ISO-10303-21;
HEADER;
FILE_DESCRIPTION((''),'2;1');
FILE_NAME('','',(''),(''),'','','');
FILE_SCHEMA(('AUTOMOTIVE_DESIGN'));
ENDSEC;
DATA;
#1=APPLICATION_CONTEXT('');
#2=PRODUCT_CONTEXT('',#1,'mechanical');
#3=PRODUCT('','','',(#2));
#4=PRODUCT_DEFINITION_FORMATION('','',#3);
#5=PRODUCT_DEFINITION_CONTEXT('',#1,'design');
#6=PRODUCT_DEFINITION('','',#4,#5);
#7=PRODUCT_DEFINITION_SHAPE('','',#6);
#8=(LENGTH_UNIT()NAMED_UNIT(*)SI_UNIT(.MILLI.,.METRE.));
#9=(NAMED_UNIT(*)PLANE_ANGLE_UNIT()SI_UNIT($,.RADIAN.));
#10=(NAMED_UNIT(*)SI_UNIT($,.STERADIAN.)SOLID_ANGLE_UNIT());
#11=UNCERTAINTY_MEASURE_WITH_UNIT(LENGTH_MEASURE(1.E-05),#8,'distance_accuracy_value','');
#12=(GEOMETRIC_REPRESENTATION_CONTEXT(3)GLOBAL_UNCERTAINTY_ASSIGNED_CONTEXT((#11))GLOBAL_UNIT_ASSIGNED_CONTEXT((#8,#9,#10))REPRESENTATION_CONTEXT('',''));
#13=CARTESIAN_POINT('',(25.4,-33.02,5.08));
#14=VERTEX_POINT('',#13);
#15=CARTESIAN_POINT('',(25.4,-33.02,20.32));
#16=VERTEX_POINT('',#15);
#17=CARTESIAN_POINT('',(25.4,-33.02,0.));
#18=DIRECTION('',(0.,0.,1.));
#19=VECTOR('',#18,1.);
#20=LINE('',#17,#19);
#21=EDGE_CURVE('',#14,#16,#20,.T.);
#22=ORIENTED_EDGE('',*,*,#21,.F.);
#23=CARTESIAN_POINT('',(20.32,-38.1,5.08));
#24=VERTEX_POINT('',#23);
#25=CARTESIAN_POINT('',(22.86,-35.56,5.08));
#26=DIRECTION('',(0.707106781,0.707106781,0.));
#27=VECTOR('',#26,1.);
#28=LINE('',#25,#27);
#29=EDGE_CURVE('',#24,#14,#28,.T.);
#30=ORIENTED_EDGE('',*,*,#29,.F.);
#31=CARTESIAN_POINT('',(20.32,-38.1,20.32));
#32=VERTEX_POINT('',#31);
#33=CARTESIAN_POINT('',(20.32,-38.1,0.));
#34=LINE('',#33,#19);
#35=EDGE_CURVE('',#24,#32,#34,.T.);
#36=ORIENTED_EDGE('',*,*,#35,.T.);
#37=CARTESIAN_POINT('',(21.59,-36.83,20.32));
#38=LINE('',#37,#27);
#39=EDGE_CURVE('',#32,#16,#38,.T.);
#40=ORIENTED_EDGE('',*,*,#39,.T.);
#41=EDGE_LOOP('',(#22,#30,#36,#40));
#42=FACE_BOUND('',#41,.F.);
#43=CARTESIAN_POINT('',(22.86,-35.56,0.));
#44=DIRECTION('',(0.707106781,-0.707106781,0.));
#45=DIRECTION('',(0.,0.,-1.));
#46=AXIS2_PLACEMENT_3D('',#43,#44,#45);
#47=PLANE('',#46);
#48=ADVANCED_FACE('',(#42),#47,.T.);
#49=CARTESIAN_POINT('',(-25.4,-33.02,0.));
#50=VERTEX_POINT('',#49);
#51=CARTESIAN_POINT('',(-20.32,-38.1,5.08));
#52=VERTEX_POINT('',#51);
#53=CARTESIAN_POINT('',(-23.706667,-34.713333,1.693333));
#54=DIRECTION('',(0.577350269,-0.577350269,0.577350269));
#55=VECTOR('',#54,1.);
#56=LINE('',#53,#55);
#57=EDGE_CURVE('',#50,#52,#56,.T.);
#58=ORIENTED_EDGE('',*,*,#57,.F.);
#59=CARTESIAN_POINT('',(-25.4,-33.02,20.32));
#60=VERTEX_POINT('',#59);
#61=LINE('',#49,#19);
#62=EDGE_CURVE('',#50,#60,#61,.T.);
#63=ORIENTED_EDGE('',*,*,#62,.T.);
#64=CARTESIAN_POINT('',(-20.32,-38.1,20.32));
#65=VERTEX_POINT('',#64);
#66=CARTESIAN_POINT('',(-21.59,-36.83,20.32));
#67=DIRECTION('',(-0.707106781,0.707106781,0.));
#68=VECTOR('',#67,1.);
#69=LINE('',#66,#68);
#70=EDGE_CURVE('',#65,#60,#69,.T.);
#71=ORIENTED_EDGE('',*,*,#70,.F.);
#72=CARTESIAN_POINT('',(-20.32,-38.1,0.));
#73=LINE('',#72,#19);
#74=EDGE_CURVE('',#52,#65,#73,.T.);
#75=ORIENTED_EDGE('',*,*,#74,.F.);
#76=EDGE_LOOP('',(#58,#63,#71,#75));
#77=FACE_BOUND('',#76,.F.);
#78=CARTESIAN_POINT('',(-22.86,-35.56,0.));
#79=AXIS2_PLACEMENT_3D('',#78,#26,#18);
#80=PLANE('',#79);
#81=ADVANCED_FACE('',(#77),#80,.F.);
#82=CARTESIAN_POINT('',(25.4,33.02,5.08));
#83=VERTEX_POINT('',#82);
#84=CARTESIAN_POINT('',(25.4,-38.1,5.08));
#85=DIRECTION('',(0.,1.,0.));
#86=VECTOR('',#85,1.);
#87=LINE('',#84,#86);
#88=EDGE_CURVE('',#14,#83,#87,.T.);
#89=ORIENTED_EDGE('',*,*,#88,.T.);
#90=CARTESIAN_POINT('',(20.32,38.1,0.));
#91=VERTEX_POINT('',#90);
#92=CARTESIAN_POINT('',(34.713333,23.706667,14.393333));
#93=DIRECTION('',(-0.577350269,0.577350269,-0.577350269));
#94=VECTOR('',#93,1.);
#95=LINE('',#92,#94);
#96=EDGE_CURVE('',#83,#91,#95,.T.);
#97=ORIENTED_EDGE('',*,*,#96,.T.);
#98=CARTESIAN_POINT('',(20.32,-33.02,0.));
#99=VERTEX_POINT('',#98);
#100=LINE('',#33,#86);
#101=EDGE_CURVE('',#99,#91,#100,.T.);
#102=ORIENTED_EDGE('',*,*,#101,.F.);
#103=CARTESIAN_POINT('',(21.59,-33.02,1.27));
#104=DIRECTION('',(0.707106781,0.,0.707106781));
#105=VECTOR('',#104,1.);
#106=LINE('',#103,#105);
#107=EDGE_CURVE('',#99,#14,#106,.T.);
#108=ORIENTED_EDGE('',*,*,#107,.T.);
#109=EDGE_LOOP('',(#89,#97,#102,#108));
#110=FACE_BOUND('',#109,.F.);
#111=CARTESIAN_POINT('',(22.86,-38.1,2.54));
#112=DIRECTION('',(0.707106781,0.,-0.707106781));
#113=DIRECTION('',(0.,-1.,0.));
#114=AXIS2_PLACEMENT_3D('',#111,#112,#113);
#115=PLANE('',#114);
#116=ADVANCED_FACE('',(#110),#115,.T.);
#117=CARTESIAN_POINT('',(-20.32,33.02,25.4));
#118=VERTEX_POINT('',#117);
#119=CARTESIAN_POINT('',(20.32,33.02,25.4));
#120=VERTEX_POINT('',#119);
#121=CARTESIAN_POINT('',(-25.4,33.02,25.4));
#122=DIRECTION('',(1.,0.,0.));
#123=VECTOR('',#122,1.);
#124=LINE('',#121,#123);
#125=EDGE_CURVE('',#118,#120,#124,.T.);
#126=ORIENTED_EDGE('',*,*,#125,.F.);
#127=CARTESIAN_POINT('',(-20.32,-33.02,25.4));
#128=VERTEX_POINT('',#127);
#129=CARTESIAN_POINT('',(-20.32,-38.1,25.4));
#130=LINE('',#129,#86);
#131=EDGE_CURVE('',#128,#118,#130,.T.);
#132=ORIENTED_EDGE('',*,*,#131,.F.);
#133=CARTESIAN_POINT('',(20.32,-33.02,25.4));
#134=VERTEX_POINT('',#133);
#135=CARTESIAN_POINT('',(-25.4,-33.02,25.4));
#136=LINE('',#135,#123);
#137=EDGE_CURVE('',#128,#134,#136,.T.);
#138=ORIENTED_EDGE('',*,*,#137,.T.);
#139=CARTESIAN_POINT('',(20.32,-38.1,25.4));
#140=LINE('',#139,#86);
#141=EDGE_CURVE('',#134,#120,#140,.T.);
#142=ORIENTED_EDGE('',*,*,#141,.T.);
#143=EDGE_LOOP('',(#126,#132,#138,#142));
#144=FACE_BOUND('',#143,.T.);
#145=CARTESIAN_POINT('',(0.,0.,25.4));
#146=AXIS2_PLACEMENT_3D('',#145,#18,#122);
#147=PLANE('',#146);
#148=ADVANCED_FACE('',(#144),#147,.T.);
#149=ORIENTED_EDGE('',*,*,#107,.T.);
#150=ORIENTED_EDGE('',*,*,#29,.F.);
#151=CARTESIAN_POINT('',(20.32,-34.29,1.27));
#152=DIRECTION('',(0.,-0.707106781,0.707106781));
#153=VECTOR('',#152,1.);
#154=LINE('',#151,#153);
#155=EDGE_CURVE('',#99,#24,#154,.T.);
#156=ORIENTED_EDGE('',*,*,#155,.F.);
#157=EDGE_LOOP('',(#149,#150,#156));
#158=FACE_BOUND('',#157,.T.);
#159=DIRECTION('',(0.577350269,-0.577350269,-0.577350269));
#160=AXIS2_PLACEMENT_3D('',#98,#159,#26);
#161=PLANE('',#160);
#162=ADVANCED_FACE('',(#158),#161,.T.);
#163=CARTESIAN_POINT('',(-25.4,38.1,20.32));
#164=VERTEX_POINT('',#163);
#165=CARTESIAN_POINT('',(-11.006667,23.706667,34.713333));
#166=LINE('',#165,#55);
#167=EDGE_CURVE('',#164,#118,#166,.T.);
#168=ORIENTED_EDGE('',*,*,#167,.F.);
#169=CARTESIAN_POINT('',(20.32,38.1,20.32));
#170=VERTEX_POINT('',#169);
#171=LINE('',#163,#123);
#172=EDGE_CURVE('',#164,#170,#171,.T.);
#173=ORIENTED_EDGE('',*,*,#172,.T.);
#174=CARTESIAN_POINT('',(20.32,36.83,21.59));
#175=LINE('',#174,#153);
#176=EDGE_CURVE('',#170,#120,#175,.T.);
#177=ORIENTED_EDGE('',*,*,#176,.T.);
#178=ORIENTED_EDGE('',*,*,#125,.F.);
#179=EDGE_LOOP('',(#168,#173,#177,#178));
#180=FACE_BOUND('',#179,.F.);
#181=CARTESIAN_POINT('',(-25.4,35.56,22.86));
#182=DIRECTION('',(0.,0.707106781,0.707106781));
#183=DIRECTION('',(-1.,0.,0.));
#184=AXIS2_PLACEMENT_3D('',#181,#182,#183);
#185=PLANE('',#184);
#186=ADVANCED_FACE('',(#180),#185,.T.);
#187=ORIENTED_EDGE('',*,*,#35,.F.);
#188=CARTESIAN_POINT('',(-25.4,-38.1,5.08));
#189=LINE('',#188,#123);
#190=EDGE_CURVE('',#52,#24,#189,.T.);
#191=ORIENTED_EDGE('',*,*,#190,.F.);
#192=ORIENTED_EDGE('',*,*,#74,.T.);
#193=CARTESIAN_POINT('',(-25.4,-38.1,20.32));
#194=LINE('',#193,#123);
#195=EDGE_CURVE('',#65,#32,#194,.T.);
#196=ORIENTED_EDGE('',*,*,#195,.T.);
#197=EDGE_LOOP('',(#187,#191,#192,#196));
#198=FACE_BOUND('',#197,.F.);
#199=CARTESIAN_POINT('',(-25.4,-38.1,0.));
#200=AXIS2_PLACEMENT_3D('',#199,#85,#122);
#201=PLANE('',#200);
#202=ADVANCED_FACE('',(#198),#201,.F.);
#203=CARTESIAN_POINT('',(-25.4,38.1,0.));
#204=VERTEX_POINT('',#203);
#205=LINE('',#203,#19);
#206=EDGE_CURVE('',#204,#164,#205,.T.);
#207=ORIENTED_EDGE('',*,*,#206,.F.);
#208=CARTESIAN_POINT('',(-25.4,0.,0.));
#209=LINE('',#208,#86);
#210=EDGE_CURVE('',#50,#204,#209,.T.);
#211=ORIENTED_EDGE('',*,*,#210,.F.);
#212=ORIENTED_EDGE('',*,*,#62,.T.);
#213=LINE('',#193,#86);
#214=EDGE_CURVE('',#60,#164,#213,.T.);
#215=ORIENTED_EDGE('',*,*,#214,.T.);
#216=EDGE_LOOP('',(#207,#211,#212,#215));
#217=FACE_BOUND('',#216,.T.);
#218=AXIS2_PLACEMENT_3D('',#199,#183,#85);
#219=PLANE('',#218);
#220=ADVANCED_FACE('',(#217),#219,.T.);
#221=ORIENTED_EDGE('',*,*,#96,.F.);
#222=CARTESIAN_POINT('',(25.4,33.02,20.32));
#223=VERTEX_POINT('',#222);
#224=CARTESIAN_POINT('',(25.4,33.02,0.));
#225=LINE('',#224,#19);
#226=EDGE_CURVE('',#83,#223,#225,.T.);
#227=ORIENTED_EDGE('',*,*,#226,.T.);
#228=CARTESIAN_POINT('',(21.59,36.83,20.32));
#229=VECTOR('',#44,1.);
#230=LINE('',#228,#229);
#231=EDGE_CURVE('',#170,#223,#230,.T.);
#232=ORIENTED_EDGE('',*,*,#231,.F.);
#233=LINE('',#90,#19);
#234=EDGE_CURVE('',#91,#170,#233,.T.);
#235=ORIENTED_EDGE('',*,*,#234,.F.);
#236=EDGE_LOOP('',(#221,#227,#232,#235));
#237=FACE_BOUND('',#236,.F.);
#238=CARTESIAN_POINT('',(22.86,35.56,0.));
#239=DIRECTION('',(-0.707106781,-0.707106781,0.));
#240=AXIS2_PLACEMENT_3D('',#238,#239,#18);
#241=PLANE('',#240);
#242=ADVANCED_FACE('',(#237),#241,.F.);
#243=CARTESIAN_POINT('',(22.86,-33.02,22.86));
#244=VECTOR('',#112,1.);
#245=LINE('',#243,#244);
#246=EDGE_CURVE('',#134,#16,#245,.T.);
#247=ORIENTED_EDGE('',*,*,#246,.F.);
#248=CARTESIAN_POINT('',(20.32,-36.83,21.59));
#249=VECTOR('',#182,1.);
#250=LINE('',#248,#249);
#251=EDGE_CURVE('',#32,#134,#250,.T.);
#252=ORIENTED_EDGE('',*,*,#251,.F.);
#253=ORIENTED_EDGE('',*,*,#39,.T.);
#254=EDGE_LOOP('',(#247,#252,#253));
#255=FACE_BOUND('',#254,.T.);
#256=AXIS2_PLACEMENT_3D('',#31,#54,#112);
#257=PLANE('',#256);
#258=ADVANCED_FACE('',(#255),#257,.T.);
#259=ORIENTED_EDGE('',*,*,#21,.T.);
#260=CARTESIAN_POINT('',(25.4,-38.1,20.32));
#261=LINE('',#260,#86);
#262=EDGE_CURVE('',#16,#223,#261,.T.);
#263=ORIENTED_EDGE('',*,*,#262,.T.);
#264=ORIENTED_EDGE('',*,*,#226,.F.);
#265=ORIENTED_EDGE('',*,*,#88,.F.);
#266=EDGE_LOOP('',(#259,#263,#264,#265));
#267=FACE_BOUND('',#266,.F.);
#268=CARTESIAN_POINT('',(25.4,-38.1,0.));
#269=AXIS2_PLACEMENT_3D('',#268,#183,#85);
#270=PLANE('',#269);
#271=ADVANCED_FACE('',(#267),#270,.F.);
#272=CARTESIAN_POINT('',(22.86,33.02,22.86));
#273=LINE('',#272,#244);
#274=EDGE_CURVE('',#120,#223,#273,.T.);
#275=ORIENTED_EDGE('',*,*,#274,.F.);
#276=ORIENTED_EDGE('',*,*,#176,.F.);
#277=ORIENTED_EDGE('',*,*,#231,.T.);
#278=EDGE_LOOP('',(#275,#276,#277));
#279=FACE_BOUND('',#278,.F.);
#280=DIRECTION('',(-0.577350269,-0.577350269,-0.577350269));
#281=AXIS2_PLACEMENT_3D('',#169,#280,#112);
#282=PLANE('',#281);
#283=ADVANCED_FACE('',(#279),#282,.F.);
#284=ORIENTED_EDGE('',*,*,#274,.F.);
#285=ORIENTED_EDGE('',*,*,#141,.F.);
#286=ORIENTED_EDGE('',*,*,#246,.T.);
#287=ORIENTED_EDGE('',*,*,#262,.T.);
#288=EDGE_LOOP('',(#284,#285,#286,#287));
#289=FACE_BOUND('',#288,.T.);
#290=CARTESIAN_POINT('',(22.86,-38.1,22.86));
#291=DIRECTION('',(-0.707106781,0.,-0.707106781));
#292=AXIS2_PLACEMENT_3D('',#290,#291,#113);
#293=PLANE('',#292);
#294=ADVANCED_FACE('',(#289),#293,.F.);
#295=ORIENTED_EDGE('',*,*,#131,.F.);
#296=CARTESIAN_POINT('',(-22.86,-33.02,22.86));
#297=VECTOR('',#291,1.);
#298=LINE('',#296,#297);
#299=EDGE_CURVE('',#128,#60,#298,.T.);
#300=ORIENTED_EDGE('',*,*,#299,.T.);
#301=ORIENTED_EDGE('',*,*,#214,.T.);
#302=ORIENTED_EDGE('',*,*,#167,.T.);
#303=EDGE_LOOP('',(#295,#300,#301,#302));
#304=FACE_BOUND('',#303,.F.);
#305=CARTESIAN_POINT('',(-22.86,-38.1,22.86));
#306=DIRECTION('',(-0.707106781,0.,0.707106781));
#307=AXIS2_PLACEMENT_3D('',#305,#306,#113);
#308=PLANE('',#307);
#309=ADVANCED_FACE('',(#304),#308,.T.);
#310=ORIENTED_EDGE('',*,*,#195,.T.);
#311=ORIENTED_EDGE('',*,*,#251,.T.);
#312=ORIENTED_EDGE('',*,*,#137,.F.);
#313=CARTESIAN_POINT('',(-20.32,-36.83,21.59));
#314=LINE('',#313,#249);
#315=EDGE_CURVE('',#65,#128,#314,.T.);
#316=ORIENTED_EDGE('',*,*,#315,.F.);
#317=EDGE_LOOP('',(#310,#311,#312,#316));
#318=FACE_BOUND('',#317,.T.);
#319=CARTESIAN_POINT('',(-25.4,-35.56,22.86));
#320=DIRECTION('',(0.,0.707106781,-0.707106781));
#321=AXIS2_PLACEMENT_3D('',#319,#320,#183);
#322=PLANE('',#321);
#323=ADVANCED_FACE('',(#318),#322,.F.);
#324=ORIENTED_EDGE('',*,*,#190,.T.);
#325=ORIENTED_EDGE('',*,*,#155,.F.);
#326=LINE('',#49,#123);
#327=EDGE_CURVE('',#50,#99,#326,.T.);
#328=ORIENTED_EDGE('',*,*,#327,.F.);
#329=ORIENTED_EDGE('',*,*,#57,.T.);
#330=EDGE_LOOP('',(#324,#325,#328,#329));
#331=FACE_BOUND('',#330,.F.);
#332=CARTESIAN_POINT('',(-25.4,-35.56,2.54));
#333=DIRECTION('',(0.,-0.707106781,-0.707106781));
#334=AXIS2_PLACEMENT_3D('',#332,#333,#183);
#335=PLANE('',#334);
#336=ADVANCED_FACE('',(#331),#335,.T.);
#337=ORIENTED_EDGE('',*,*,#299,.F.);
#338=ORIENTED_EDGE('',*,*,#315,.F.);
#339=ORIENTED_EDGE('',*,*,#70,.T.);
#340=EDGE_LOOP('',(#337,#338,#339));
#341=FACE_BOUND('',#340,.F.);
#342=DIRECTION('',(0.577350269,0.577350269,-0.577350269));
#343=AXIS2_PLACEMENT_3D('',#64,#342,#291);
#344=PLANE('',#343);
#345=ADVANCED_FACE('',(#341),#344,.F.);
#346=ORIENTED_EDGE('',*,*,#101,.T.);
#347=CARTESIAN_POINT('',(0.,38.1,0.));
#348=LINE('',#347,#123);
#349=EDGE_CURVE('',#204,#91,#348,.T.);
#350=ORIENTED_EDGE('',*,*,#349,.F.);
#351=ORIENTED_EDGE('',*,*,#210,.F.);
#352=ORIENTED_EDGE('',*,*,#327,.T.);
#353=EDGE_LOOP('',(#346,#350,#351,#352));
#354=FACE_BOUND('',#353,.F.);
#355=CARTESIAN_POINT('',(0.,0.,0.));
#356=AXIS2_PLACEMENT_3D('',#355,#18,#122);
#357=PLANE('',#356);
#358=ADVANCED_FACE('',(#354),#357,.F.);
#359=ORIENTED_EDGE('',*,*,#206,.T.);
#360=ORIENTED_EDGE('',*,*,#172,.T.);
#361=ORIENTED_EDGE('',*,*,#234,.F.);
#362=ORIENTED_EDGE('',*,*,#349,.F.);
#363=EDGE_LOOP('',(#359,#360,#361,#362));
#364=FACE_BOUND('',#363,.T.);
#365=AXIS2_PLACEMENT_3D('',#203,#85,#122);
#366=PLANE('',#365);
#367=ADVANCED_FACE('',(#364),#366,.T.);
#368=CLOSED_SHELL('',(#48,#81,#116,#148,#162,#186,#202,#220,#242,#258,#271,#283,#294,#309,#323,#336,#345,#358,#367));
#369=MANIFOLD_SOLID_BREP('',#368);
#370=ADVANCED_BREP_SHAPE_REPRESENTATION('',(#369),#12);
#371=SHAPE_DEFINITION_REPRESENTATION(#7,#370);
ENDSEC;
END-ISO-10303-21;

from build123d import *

# Parameters (mm, degrees)
F0_W     = 50.8
F0_H     = 76.2
F1_DEPTH = 25.4
F2_SIZE  = 5.08


with BuildPart() as f1:
    # F0 (on Top) → F1 (new body)
    with BuildSketch(Plane.XY):
        Rectangle(F0_W, F0_H)
    extrude(amount=F1_DEPTH)

    # F2
    f2_edges = [f1.edges().sort_by_distance(p)[0] for p in [
        (25.4, 0, 25.4),
        (0, 38.1, 25.4),
        (-25.4, 0, 25.4),
        (0, -38.1, 25.4),
        (-25.4, -38.1, 12.7),
        (25.4, -38.1, 12.7),
        (0, -38.1, 0),
        (25.4, 38.1, 12.7),
        (25.4, 0, 0),
    ]]
    chamfer(f2_edges, length=F2_SIZE)


solid = f1.part
